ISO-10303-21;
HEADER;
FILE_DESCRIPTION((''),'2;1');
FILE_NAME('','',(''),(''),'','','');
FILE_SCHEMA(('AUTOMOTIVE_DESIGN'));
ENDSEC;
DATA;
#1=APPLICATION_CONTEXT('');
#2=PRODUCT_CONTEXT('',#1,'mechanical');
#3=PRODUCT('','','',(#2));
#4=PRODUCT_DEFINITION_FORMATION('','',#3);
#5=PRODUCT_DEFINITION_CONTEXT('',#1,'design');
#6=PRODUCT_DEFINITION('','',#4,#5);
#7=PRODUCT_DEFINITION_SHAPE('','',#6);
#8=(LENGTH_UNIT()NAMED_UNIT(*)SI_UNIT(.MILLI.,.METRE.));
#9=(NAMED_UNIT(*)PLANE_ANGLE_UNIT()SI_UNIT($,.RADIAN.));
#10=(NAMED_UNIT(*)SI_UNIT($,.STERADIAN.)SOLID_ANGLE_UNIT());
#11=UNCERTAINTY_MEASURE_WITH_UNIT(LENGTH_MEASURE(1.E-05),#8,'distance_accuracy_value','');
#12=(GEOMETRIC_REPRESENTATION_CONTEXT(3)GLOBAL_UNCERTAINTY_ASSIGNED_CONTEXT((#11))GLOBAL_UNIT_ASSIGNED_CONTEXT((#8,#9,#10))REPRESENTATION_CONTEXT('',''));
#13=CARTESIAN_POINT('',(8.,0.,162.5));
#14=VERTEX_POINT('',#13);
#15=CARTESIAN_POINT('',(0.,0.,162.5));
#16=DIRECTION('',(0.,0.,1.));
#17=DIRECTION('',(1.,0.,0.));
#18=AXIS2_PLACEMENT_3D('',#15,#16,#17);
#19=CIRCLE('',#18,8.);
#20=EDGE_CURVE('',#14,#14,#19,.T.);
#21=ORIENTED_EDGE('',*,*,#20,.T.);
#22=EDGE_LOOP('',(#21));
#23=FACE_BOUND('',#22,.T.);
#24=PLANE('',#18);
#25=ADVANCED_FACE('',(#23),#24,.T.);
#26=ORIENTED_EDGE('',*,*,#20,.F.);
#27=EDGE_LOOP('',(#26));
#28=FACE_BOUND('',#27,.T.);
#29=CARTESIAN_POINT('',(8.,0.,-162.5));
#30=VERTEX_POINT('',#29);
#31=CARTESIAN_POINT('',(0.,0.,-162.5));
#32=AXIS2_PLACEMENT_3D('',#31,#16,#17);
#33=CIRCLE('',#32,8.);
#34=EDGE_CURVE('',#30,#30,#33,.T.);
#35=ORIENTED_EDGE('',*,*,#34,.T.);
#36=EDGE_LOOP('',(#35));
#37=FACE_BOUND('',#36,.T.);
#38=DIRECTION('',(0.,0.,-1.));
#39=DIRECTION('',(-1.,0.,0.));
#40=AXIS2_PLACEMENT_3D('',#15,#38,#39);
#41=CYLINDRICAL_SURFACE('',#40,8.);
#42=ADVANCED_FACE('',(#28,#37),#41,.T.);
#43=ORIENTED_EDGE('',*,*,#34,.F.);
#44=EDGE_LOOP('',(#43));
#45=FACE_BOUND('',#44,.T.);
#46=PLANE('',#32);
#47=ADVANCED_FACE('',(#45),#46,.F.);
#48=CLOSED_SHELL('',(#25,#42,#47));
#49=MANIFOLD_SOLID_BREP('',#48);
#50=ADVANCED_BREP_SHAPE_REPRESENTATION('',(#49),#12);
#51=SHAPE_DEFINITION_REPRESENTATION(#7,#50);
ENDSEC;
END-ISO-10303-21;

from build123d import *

# Parameters (mm, degrees)
SKETCH1_R           = 8
BOSS_EXTRUDE1_DEPTH = 162.5


with BuildPart() as part:
    # Sketch1 → Boss-Extrude1 (new body, symmetric)
    with BuildSketch(Plane.XY):
        Circle(SKETCH1_R)
    extrude(amount=BOSS_EXTRUDE1_DEPTH, both=True)


solid = part.part
